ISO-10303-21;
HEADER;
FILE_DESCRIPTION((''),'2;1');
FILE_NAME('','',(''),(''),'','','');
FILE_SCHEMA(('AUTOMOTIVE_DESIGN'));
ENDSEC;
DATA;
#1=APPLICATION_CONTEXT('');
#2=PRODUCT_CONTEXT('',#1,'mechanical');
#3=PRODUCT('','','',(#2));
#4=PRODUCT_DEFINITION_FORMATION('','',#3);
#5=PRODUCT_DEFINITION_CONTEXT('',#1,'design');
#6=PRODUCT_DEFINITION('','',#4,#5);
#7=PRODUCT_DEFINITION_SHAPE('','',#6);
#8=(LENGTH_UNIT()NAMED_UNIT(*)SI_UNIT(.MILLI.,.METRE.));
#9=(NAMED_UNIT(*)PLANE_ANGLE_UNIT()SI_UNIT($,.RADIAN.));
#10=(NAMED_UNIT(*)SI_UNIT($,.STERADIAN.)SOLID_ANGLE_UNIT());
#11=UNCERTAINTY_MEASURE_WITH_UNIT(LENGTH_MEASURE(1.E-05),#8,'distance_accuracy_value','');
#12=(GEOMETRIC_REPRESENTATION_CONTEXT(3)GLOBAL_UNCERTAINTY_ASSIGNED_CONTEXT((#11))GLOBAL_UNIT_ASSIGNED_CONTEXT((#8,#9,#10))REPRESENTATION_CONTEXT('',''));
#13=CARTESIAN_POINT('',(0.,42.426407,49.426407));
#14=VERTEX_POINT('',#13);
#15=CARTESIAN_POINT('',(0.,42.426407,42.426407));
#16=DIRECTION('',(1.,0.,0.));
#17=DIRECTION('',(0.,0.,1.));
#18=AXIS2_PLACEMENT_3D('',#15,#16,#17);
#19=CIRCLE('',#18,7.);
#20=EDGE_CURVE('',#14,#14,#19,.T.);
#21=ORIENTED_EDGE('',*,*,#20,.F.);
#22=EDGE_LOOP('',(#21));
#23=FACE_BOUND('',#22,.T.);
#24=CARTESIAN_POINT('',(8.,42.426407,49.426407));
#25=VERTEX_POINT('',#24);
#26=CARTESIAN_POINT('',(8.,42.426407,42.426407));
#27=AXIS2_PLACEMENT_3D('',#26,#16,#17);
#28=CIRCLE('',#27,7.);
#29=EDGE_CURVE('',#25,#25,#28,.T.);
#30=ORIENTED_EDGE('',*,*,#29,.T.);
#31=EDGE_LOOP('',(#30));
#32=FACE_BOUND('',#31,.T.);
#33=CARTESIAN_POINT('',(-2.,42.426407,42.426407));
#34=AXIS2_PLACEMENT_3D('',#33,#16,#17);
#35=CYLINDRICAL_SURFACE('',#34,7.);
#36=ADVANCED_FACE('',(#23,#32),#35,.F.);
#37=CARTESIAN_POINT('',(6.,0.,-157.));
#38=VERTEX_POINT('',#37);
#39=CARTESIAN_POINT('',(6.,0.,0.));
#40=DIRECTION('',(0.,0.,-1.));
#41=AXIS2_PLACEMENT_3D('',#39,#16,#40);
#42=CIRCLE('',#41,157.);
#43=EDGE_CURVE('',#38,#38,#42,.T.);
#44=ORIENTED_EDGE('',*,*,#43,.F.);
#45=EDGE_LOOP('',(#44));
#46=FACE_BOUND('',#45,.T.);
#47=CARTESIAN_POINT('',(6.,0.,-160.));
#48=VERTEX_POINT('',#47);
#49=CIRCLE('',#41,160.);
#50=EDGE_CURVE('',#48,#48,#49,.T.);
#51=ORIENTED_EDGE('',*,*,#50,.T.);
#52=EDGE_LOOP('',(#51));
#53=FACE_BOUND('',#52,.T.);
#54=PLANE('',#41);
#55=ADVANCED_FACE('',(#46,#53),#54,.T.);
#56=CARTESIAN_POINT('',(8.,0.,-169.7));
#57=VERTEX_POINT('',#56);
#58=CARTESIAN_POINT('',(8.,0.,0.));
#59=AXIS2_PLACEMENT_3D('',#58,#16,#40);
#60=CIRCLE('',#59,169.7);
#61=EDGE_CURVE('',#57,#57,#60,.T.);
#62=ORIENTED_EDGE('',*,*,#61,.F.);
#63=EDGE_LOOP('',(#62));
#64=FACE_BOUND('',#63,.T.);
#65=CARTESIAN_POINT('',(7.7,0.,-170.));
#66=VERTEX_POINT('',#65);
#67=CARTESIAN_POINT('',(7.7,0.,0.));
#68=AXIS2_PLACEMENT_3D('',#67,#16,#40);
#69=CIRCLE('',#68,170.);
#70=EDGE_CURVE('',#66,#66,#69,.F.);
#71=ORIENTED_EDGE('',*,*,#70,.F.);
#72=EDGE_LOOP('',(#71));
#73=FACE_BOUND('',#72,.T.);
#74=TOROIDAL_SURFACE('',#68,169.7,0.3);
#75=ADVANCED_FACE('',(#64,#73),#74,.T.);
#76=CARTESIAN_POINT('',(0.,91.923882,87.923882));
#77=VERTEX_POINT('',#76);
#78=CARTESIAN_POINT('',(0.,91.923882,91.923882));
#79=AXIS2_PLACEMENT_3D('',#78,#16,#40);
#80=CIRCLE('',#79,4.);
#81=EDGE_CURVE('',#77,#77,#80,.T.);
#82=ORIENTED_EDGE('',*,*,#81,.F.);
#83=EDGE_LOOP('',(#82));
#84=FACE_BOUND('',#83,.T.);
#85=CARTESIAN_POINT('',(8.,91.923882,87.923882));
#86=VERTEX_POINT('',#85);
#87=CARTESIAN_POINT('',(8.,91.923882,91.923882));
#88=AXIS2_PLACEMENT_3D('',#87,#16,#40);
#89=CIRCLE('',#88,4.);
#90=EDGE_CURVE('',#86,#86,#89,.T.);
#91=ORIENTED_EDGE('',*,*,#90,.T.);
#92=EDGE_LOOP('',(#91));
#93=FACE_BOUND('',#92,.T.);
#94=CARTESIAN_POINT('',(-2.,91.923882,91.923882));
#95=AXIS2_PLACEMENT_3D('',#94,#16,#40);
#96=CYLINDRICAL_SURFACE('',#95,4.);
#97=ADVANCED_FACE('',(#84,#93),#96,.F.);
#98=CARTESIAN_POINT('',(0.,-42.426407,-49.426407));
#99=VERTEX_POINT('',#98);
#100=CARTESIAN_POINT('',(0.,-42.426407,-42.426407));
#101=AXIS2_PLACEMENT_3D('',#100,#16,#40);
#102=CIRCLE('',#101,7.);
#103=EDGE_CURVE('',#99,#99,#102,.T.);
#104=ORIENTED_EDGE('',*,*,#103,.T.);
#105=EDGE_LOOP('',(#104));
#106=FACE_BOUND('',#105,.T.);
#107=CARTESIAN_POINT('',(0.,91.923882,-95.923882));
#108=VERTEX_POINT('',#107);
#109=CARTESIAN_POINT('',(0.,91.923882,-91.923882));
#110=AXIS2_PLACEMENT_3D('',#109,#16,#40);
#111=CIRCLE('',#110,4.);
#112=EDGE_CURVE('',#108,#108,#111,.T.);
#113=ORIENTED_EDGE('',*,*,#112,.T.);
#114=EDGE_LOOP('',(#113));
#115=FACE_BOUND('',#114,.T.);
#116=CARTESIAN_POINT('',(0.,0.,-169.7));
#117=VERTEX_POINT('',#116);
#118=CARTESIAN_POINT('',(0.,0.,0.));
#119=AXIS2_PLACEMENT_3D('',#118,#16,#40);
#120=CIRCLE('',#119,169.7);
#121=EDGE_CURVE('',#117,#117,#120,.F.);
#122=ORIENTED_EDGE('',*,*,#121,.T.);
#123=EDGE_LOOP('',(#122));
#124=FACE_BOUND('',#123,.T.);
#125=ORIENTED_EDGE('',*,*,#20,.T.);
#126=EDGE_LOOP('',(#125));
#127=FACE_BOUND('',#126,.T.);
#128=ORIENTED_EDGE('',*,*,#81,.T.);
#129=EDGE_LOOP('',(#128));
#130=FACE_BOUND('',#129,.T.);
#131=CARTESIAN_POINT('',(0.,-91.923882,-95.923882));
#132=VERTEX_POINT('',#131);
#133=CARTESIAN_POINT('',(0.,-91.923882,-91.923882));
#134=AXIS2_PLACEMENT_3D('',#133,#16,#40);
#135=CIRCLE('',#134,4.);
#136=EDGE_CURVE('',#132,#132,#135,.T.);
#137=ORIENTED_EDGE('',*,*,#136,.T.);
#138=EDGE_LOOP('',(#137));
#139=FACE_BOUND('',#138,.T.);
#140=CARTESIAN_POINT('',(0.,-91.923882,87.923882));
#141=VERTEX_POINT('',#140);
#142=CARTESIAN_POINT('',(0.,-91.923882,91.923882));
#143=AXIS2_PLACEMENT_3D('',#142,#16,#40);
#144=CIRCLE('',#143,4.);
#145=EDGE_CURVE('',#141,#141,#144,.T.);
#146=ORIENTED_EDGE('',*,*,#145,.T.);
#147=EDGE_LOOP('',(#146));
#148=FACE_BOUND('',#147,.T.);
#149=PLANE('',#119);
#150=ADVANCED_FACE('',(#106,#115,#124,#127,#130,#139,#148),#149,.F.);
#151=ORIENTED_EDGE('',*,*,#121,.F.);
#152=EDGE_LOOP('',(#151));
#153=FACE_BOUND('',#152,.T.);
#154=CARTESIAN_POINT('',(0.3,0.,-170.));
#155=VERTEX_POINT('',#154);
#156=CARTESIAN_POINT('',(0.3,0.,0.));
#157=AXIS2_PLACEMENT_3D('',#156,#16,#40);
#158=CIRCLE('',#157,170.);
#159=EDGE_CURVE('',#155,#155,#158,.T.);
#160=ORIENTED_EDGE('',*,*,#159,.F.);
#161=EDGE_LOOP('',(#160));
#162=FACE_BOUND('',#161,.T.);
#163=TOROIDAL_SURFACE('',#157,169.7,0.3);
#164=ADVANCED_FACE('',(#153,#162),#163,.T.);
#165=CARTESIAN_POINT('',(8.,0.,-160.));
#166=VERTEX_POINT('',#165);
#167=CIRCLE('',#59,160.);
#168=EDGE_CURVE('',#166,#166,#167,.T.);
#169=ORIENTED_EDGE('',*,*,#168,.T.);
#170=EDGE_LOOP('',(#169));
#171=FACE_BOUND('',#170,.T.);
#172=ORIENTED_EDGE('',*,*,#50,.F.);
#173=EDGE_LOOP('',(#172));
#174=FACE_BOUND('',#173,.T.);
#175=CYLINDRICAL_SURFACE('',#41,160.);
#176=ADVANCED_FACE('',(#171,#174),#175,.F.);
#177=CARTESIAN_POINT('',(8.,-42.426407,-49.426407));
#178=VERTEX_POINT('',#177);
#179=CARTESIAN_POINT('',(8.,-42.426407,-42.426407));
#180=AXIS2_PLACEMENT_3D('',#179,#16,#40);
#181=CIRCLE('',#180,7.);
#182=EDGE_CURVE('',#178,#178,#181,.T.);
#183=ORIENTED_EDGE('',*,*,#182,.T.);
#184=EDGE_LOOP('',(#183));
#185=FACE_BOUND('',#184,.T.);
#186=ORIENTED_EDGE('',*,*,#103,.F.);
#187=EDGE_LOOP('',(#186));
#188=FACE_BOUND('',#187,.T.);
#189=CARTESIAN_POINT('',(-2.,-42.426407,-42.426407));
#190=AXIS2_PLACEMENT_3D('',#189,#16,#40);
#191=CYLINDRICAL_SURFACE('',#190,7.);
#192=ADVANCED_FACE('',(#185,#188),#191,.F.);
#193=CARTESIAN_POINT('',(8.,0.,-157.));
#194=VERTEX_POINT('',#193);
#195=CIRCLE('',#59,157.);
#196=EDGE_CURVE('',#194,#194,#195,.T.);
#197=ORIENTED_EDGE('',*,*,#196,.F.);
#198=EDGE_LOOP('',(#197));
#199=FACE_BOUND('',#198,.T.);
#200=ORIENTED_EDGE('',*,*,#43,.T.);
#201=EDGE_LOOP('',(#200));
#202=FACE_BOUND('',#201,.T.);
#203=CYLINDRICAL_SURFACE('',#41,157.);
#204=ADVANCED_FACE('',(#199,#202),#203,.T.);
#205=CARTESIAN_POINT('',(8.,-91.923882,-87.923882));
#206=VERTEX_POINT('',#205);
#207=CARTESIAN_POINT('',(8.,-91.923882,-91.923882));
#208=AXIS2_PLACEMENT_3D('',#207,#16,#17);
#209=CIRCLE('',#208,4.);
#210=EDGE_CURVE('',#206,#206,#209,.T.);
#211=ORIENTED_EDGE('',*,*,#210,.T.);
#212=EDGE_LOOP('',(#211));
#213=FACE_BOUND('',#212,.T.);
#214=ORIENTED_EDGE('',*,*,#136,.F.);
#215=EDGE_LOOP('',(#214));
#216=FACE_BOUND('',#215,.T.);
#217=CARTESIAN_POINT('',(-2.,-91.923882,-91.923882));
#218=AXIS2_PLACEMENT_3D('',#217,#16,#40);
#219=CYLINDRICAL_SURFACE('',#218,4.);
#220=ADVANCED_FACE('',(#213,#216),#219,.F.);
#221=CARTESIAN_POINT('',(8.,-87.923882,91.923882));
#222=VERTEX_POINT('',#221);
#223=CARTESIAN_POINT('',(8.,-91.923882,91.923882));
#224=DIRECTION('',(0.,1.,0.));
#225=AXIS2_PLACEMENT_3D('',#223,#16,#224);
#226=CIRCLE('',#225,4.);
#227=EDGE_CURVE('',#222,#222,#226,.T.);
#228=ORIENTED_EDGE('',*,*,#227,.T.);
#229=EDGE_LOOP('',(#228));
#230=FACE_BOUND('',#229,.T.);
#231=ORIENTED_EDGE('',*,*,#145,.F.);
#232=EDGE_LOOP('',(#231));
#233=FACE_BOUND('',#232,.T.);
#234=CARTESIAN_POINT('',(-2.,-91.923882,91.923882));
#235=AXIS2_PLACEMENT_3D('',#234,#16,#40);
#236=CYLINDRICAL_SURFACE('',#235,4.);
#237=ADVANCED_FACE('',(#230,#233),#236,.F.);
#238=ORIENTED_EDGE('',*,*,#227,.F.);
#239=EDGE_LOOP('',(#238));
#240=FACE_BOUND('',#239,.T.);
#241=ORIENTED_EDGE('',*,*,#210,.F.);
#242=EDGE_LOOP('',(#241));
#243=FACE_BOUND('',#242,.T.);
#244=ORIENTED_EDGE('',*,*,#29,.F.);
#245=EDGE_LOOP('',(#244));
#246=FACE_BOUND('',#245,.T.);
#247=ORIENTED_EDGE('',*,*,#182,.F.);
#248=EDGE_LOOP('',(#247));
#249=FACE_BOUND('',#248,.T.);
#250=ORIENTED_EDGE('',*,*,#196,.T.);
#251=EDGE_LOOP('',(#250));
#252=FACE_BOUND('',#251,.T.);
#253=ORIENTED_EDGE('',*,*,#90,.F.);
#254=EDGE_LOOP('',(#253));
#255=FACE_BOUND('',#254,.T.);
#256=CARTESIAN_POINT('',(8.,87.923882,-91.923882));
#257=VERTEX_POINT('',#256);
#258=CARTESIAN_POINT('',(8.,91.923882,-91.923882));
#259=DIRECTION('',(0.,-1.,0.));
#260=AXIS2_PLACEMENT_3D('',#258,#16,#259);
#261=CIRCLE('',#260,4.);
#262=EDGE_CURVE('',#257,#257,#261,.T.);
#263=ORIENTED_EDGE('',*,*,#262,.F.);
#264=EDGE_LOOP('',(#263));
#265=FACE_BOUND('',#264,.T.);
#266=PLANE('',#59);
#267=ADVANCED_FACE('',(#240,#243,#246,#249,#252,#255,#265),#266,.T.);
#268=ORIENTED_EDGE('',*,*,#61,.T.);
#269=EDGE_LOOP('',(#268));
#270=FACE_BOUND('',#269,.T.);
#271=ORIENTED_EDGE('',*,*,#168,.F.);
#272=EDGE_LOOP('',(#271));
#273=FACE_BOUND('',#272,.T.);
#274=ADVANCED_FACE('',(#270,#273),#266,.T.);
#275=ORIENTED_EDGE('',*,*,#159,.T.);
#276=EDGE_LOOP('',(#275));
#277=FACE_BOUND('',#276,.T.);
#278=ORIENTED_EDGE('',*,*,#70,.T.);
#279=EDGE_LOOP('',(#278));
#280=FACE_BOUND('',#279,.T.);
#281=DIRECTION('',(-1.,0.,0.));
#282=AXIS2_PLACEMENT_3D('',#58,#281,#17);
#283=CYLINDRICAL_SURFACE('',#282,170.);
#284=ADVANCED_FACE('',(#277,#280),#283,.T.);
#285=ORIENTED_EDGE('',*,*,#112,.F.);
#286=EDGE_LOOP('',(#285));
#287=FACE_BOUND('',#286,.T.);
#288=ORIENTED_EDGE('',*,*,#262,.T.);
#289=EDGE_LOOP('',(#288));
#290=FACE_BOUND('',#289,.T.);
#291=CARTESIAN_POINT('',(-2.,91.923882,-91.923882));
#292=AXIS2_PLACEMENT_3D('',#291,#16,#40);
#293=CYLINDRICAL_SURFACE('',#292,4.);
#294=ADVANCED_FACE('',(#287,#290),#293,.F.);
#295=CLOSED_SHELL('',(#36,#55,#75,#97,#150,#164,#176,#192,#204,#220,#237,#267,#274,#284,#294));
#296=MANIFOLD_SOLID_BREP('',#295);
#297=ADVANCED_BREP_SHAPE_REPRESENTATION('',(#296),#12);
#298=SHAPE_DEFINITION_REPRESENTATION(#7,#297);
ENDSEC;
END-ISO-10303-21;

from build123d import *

# Parameters (mm, degrees)
SKETCH_1_R               = 170
EXTRUDE_1_DEPTH          = 8
SKETCH_5_R               = 4
CUT_EXTRUDE_4_DEPTH      = 10
PATTERN_CIRCULAR_3_COUNT = 4
SKETCH_7_R               = 160
SKETCH_7_R_2             = 157
CUT_EXTRUDE_5_DEPTH      = 2
FILLET_1_R               = 0.3
SKETCH_9_R               = 7
CUT_EXTRUDE_7_DEPTH      = 10
PATTERN_CIRCULAR_5_COUNT = 2


with BuildPart() as part:
    # 草图1 → 凸台-拉伸1 (new body)
    with BuildSketch(Plane(origin=(0, 0, 0), x_dir=(0, 0, -1), z_dir=(1, 0, 0))):
        Circle(SKETCH_1_R)
    extrude(amount=EXTRUDE_1_DEPTH)

    # 草图5 → 切除-拉伸4 (cut)
    with BuildSketch(Plane(origin=(8, 0, 0), x_dir=(0, 0, -1), z_dir=(1, 0, 0))):
        with Locations((-91.923881554, 91.923881554)):
            Circle(SKETCH_5_R)
    cut_extrude_4 = extrude(amount=-CUT_EXTRUDE_4_DEPTH, mode=Mode.SUBTRACT)

    # 阵列(圆周)3: 切除-拉伸4 ×4 about axis
    pattern_circular_3_axis = Axis((0, 0, 0), (1, 0, 0))
    for i in range(1, PATTERN_CIRCULAR_3_COUNT):
        add(cut_extrude_4.rotate(pattern_circular_3_axis, i * 360 / PATTERN_CIRCULAR_3_COUNT), mode=Mode.SUBTRACT)

    # 草图7 → 切除-拉伸5 (cut)
    with BuildSketch(Plane(origin=(8, 0, 0), x_dir=(0, 0, -1), z_dir=(1, 0, 0))):
        Circle(SKETCH_7_R)
        Circle(SKETCH_7_R_2, mode=Mode.SUBTRACT)
    extrude(amount=-CUT_EXTRUDE_5_DEPTH, mode=Mode.SUBTRACT)

    # 圆角1
    fillet_1_edges = [part.edges().sort_by_distance(p)[0] for p in [
        (0, 0, 170),
        (8, 0, 170),
    ]]
    fillet(fillet_1_edges, radius=FILLET_1_R)

    # 草图9 → 切除-拉伸7 (cut)
    with BuildSketch(Plane(origin=(8, 0, 0), x_dir=(0, 0, -1), z_dir=(1, 0, 0))):
        with Locations((42.426406871, -42.426406871)):
            Circle(SKETCH_9_R)
    cut_extrude_7 = extrude(amount=-CUT_EXTRUDE_7_DEPTH, mode=Mode.SUBTRACT)

    # 阵列(圆周)5: 切除-拉伸7 ×2 about axis
    pattern_circular_5_axis = Axis((0, 0, 0), (1, 0, 0))
    for i in range(1, PATTERN_CIRCULAR_5_COUNT):
        add(cut_extrude_7.rotate(pattern_circular_5_axis, i * 360 / PATTERN_CIRCULAR_5_COUNT), mode=Mode.SUBTRACT)


solid = part.part
